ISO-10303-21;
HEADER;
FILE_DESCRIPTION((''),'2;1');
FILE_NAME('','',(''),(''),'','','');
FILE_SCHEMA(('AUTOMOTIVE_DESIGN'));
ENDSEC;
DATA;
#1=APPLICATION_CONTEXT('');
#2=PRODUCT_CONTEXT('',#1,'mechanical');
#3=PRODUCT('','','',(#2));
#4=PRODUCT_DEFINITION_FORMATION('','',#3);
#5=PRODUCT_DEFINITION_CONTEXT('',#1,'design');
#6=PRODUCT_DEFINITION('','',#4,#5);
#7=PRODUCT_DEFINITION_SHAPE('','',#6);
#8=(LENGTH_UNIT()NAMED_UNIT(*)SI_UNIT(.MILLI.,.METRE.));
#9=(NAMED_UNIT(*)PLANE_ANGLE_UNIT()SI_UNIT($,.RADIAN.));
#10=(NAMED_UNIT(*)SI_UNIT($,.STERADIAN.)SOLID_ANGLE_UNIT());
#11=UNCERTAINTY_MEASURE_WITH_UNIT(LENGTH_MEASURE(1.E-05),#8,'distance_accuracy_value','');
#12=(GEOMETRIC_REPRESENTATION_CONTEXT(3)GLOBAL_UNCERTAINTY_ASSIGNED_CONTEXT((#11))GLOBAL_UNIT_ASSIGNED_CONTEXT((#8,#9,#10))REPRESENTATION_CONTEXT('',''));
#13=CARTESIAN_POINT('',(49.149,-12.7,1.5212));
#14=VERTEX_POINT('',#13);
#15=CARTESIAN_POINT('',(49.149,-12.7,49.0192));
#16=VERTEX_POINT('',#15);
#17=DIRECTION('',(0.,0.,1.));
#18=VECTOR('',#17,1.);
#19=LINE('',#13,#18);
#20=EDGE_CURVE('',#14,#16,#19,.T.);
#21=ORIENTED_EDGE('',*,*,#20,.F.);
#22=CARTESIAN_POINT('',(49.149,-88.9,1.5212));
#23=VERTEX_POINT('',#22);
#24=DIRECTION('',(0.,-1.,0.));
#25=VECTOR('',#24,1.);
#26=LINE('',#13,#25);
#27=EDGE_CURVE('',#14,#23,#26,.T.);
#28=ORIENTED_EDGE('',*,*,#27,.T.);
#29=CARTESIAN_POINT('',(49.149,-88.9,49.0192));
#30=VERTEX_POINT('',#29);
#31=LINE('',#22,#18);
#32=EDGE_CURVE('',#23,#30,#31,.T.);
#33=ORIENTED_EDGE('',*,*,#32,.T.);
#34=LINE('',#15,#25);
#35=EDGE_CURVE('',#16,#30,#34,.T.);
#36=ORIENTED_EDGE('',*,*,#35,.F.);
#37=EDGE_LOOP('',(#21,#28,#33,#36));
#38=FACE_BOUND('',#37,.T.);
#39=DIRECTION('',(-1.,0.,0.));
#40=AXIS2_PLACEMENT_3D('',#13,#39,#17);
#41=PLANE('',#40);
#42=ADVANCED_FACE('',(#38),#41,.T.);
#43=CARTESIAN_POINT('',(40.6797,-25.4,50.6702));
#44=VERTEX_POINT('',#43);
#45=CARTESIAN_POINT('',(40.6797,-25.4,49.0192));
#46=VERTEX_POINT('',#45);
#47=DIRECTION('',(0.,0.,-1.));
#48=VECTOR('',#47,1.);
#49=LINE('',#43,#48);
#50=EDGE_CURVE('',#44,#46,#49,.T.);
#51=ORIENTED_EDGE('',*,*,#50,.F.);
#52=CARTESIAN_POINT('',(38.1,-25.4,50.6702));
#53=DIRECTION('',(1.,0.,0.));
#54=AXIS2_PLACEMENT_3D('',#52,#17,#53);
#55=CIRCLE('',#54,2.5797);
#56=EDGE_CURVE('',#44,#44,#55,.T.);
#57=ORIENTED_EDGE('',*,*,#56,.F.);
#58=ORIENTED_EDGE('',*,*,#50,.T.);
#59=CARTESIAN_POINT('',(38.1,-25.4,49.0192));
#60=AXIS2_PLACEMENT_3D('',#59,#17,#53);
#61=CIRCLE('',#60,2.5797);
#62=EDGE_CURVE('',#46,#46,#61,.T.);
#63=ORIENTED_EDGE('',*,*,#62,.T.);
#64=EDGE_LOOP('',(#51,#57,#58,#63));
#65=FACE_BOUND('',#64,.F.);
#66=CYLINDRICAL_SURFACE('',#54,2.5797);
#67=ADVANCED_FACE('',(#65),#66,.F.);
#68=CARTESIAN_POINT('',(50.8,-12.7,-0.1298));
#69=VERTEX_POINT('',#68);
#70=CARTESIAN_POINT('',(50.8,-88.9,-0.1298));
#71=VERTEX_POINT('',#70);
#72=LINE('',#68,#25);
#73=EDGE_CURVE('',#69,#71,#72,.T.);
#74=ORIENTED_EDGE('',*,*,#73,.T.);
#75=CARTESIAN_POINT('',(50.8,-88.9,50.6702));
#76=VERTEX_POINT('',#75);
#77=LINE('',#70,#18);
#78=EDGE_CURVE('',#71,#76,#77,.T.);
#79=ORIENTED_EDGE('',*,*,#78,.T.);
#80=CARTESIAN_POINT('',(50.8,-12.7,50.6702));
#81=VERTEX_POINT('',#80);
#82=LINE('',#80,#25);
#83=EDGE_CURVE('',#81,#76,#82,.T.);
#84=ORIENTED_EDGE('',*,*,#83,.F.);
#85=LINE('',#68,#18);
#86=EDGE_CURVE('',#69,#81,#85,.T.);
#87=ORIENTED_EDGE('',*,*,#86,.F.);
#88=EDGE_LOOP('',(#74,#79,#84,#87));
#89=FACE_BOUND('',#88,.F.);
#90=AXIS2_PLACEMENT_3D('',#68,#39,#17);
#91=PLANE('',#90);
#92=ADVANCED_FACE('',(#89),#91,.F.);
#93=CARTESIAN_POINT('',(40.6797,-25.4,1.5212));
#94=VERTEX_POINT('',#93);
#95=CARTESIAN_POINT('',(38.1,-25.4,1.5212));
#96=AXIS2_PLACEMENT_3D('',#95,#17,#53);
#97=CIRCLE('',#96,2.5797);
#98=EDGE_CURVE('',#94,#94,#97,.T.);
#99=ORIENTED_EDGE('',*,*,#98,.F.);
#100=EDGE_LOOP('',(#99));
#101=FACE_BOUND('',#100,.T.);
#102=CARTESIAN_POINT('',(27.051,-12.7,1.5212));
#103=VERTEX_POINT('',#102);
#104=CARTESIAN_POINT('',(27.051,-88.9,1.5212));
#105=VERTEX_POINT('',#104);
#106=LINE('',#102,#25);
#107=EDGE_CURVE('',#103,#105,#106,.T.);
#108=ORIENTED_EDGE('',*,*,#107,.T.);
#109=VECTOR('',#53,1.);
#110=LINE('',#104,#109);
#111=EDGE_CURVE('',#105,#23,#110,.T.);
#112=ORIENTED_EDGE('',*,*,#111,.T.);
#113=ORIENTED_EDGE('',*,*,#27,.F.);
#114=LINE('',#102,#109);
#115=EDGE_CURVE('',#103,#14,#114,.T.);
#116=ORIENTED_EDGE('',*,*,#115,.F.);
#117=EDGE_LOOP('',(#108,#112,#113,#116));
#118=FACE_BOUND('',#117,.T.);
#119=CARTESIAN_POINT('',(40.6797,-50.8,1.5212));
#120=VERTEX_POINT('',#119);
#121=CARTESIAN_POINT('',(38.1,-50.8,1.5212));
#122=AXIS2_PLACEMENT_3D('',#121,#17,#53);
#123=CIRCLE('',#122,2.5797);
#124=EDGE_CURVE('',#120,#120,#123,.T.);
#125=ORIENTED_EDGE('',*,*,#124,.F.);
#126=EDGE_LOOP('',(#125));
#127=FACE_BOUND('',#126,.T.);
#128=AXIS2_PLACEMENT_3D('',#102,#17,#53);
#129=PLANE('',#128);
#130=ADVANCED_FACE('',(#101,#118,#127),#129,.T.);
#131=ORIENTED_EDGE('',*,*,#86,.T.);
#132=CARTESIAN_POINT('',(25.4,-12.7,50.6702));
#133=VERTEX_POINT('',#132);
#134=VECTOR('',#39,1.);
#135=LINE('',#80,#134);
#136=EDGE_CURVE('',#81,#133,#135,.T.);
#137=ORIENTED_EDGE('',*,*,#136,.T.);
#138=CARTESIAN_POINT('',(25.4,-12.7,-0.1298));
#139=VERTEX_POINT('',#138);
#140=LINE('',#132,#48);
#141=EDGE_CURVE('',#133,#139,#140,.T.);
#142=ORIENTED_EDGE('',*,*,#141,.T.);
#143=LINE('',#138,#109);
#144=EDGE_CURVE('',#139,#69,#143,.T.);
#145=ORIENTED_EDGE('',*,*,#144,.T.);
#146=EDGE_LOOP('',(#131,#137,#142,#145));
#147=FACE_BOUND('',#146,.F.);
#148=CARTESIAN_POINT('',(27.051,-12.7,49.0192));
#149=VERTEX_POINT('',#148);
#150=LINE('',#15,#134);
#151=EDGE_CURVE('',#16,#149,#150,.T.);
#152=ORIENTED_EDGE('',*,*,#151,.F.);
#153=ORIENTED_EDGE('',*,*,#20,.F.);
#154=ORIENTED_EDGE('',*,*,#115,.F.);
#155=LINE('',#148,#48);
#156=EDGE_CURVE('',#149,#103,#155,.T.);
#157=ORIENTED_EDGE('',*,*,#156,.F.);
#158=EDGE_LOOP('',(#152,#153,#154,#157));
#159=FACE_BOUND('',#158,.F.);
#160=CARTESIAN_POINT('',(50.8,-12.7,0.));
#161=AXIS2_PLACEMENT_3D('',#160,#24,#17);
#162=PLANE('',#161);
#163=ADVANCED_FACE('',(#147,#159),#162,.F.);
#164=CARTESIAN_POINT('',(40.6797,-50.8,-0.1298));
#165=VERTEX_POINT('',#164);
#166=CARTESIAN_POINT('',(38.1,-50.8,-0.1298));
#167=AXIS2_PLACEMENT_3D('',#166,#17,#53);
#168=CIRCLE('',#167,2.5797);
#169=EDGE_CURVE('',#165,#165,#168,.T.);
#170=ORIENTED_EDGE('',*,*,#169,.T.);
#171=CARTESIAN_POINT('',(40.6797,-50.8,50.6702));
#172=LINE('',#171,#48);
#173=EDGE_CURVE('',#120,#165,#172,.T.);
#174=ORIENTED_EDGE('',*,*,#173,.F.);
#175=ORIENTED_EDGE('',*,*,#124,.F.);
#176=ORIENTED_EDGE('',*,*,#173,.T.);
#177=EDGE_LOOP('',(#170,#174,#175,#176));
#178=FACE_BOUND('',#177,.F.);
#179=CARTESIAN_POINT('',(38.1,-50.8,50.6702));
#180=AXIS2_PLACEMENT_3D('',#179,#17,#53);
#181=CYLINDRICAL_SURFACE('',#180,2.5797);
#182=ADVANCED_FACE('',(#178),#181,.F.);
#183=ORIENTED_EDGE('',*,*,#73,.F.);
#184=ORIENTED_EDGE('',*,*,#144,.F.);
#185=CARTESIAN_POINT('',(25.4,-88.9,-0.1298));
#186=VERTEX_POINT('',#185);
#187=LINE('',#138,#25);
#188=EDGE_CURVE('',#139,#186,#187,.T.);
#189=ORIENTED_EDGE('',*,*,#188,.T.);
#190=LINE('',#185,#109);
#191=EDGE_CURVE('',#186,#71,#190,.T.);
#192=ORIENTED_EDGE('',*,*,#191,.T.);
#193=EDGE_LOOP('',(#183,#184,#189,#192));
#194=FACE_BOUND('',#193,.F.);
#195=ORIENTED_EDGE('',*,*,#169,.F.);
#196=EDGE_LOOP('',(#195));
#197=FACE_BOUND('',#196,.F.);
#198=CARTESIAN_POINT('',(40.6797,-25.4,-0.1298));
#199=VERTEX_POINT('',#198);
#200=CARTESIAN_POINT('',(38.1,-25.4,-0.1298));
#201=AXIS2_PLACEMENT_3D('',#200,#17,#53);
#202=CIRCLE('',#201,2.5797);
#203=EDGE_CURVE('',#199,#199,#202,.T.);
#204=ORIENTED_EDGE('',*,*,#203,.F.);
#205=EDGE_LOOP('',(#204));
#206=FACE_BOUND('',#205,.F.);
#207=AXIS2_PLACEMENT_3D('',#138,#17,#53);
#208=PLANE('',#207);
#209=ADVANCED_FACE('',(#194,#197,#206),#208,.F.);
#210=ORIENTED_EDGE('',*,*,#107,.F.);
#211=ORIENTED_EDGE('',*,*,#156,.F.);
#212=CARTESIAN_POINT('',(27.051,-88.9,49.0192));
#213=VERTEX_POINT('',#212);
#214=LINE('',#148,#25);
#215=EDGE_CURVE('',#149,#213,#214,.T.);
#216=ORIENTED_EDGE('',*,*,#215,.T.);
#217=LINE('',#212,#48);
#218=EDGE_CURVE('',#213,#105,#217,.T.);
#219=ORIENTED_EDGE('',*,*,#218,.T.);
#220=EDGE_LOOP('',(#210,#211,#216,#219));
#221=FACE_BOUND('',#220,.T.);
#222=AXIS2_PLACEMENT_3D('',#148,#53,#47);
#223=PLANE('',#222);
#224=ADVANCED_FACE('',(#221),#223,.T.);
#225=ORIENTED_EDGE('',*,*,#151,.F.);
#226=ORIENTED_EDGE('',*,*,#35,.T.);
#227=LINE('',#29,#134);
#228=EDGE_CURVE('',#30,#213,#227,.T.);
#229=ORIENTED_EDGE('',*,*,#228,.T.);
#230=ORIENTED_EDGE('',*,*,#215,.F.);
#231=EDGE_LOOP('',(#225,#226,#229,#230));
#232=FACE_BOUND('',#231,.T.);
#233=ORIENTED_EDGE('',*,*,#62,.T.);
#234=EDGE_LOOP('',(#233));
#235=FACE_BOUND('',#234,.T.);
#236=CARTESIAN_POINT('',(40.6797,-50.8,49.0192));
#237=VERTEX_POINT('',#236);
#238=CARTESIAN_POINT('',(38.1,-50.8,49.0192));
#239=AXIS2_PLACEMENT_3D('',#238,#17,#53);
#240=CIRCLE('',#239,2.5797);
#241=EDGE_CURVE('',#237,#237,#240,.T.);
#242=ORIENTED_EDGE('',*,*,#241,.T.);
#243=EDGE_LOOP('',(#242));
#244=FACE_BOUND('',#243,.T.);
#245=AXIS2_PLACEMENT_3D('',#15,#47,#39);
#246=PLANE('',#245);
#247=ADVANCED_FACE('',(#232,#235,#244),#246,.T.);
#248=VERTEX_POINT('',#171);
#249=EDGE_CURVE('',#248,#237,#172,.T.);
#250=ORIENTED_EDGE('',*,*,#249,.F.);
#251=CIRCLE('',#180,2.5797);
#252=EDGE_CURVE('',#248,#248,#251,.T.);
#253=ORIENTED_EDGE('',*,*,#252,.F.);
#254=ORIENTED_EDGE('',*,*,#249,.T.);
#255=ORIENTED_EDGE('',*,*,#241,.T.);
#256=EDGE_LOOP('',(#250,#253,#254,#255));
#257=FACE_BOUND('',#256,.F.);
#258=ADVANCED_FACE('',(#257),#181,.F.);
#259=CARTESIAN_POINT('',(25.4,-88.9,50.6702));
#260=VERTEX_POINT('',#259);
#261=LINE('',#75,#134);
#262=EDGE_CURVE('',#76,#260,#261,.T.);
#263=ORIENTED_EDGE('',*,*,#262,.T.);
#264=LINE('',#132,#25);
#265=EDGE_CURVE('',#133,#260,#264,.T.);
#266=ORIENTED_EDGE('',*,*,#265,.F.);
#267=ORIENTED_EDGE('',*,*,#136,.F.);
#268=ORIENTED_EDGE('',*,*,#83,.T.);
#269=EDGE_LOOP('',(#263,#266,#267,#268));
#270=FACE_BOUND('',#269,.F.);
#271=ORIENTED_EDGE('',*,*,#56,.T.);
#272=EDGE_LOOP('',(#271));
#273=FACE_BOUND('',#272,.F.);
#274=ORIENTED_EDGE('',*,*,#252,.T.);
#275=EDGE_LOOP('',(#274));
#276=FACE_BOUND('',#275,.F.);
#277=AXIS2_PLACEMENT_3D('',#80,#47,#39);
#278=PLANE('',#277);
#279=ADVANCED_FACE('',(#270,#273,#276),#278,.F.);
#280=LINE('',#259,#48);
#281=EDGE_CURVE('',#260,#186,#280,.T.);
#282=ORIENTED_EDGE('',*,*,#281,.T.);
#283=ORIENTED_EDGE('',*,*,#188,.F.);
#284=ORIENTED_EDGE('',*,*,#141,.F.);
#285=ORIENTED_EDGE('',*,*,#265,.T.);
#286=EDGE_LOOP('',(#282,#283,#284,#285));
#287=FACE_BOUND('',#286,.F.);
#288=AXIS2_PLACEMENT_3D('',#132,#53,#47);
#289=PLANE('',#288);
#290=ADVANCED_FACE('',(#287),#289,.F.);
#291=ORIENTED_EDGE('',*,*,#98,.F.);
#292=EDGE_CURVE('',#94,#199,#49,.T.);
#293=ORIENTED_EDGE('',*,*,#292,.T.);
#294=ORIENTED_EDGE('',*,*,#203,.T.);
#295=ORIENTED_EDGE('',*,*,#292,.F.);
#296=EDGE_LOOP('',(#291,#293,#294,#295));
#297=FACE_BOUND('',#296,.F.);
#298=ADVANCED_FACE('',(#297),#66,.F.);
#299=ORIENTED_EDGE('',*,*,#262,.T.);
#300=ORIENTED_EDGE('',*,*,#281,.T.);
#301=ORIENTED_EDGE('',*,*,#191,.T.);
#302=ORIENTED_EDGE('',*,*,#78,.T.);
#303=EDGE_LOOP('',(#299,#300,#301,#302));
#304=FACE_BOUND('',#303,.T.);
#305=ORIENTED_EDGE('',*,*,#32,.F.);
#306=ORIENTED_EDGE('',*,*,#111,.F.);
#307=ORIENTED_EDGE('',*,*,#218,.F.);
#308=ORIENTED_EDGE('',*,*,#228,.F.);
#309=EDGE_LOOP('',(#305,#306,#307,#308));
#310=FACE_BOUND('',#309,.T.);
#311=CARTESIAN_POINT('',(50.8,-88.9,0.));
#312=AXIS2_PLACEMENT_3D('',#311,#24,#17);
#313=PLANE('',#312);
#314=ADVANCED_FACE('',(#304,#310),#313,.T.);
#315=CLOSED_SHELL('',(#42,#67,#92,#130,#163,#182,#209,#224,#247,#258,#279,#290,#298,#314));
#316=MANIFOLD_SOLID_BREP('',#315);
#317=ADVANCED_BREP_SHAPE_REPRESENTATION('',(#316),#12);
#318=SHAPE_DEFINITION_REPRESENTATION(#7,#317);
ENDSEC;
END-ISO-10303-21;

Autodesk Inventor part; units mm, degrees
ref_plane "YZ Plane" through (0, 0, 0) normal (1, 0, 0) x (0, 1, 0)
ref_plane "XZ Plane" through (0, 0, 0) normal (0, 1, 0) x (-1, 0, 0)
ref_plane "XY Plane" through (0, 0, 0) normal (0, 0, 1) x (1, 0, 0)
ref_plane "Work Plane1" through (50.8, -12.7, 0) normal (0, -1, 0) x (0, 0, 1)
sketch "Sketch1" plane through (50.8, -12.7, 0) normal (0, -1, 0) x (0, 0, 1)
  line L0 (-0.1298, 0) -> (50.6702, 0)
  line L1 (50.6702, 0) -> (50.6702, 25.4)
  line L2 (50.6702, 25.4) -> (-0.1298, 25.4)
  line L3 (-0.1298, 25.4) -> (-0.1298, 0)
  line L4 (49.0192, 23.749) -> (1.5212, 23.749)
  line L5 (1.5212, 23.749) -> (1.5212, 1.651)
  line L6 (1.5212, 1.651) -> (49.0192, 1.651)
  line L7 (49.0192, 1.651) -> (49.0192, 23.749)
  point P0 (0, 50.8)
  dimension "d0" = 25.4
  dimension "d1" = 50.8
  dimension "d3" = 1.651
  dimension "d4" = 1.651
  dimension "d5" = 1.651
  dimension "d6" = 1.651
extrude "Extrusion1" add sketch "Sketch1" along normal blind 76.2
sketch "Sketch2" plane through (25.4, -12.7, 50.6702) normal (0, 0, 1) x (1, 0, 0)
  circle A0 centre (12.7, -12.7) radius 2.5797
  circle A1 centre (12.7, -38.1) radius 2.5797
  line L0 (25.4, 0) -> (0, 0) projected
  line L1 (0, 0) -> (0, -76.2) projected
  point P0 (-25.4, 12.7)
  dimension "d9" = 12.7
  dimension "d10" = 25.4
  dimension "d11" = 5.1594
  dimension "d12" = 5.1594
  dimension "d13" = 12.7
  dimension "d14" = 12.7
extrude "Extrusion2" cut sketch "Sketch2" against normal blind 76.2
equation "\"d4\" = d3"
equation "\"d5\" = d3"
equation "\"d6\" = d3"
properties part number "bar thing"
